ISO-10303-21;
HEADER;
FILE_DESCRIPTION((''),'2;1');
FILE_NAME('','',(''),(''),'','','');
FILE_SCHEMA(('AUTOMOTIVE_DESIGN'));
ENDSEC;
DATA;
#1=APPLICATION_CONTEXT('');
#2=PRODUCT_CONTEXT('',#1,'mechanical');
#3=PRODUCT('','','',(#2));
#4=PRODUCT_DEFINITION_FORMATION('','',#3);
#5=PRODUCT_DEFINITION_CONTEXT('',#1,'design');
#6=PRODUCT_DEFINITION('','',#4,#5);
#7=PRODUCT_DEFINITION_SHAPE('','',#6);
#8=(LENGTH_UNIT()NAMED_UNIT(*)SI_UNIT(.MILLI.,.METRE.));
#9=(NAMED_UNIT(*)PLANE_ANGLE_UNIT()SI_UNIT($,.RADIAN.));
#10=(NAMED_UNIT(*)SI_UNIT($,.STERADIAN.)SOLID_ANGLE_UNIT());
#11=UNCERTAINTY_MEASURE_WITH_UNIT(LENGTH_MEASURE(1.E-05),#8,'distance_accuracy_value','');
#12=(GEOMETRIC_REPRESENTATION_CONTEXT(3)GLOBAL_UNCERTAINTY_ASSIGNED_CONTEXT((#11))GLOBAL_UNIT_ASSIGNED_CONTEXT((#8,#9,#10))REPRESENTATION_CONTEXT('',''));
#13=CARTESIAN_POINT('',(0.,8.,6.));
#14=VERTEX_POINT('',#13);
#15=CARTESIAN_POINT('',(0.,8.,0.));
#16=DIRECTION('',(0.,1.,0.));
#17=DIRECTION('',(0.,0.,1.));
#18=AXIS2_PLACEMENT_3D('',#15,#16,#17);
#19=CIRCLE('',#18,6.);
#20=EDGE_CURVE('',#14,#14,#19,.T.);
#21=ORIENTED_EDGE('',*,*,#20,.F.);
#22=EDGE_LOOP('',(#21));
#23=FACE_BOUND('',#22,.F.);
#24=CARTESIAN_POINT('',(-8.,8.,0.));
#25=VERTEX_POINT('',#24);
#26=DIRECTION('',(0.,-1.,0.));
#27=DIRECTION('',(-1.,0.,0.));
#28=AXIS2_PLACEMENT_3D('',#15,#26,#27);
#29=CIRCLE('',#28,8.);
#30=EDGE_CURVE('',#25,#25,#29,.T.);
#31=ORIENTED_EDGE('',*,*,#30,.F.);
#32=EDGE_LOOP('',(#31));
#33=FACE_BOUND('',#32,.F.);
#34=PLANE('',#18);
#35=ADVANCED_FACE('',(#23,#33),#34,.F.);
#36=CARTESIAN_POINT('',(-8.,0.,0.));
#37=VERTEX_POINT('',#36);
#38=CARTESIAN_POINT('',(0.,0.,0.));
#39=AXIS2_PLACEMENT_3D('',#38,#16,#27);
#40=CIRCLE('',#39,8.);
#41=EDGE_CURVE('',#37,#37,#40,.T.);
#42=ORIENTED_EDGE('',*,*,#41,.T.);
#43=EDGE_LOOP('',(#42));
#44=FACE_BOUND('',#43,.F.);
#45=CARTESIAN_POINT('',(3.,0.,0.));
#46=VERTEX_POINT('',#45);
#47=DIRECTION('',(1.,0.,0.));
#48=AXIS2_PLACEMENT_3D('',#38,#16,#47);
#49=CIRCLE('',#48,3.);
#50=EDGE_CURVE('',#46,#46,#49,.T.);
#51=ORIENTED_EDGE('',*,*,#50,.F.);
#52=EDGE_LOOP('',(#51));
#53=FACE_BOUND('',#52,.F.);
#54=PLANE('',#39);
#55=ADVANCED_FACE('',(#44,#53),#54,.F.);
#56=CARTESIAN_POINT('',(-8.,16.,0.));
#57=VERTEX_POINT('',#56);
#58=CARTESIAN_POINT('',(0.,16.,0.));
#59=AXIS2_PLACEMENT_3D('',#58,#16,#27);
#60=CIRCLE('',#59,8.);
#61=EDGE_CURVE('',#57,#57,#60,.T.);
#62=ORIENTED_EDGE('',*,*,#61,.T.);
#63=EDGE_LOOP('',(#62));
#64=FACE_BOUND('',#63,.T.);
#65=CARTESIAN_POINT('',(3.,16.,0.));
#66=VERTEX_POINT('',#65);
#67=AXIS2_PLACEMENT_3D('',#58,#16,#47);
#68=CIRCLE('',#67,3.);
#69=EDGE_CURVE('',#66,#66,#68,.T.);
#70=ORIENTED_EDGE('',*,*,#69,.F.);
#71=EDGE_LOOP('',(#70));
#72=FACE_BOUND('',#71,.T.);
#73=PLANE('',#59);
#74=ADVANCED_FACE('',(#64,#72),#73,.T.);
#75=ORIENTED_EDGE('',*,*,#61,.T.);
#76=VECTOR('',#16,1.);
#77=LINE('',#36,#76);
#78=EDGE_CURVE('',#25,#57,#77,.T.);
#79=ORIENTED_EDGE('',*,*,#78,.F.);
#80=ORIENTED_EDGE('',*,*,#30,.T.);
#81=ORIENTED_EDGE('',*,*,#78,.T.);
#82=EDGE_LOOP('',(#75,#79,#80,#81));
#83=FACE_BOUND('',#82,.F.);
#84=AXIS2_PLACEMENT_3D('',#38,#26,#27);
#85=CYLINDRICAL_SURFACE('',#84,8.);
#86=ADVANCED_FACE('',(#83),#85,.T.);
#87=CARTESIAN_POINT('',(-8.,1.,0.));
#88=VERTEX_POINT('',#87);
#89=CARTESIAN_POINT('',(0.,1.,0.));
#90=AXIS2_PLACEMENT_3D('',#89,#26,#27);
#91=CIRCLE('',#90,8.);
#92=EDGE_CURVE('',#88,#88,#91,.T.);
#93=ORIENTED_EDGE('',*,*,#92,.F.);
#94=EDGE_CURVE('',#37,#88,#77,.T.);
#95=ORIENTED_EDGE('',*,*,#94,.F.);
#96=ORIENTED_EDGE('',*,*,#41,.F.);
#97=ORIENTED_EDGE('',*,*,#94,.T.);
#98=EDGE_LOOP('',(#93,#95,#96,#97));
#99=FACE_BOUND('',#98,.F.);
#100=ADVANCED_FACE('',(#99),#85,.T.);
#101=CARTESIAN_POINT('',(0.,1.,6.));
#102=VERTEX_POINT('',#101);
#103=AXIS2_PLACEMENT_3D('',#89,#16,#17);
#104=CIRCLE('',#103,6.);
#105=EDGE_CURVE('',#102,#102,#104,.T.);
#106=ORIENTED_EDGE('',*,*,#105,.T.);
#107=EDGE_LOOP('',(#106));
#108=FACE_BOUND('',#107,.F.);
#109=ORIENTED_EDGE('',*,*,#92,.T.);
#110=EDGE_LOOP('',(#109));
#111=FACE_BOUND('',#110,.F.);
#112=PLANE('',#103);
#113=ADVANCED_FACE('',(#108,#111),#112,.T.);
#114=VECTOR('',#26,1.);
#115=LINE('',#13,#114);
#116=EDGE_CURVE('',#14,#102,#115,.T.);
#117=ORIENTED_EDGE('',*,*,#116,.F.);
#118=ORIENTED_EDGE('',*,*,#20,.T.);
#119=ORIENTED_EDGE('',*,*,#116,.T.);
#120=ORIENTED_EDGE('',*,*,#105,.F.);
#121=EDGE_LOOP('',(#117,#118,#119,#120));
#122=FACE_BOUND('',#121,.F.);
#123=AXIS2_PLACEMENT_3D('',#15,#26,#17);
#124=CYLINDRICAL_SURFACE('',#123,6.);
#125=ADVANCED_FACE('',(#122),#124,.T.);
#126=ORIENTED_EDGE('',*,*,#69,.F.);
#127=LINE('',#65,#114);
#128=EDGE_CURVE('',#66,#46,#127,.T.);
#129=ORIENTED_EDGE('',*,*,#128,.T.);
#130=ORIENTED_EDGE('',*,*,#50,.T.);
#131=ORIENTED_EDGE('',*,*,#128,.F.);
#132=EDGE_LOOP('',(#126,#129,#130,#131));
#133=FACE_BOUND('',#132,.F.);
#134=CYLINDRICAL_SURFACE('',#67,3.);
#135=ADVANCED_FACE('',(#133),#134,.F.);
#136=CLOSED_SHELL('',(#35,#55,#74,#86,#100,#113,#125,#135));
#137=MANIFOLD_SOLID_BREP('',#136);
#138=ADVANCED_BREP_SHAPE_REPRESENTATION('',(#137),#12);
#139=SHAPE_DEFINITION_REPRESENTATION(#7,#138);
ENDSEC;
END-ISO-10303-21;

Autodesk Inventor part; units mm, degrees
ref_plane "YZ Plane" through (0, 0, 0) normal (1, 0, 0) x (0, 1, 0)
ref_plane "XZ Plane" through (0, 0, 0) normal (0, 1, 0) x (-1, 0, 0)
ref_plane "XY Plane" through (0, 0, 0) normal (0, 0, 1) x (1, 0, 0)
sketch "Boceto1" plane through (0, 0, 0) normal (0, 1, 0) x (-1, 0, 0)
  circle A0 centre (0, 0) radius 8
  dimension "d0" = 16
extrude "Extrusión1" add sketch "Boceto1" along normal blind 16
sketch "Boceto2" plane through (0, 16, 0) normal (0, 1, 0) x (1, 0, 0)
  circle A0 centre (0, 0) radius 3
  dimension "d3" = 6
extrude "Extrusión2" cut sketch "Boceto2" against normal blind 16
sketch "Boceto3" plane through (0, 0, 0) normal (1, 0, 0) x (0, 1, 0)
  line L0 (0, 8) -> (16, 8) projected
  line L1 (1, 8) -> (8, 8)
  line L2 (8, 8) -> (8, 6)
  line L3 (8, 6) -> (1, 6)
  line L4 (1, 6) -> (1, 8)
  line L5 (16, -8) -> (16, 8) projected
  line L6 (0, -8) -> (0, 8) projected
  line L7 (0, 0) -> (16, 0)
  dimension "d6" = 2
  dimension "d7" = 7
  dimension "d8" = 1
revolve "Revolución1" cut sketch "Boceto3" angle 360 about axis through (0, 0, 0) along (0, 1, 0) contours L0 L2 L3 L4
properties part number "20T pulley 6 mm bore GT2"
